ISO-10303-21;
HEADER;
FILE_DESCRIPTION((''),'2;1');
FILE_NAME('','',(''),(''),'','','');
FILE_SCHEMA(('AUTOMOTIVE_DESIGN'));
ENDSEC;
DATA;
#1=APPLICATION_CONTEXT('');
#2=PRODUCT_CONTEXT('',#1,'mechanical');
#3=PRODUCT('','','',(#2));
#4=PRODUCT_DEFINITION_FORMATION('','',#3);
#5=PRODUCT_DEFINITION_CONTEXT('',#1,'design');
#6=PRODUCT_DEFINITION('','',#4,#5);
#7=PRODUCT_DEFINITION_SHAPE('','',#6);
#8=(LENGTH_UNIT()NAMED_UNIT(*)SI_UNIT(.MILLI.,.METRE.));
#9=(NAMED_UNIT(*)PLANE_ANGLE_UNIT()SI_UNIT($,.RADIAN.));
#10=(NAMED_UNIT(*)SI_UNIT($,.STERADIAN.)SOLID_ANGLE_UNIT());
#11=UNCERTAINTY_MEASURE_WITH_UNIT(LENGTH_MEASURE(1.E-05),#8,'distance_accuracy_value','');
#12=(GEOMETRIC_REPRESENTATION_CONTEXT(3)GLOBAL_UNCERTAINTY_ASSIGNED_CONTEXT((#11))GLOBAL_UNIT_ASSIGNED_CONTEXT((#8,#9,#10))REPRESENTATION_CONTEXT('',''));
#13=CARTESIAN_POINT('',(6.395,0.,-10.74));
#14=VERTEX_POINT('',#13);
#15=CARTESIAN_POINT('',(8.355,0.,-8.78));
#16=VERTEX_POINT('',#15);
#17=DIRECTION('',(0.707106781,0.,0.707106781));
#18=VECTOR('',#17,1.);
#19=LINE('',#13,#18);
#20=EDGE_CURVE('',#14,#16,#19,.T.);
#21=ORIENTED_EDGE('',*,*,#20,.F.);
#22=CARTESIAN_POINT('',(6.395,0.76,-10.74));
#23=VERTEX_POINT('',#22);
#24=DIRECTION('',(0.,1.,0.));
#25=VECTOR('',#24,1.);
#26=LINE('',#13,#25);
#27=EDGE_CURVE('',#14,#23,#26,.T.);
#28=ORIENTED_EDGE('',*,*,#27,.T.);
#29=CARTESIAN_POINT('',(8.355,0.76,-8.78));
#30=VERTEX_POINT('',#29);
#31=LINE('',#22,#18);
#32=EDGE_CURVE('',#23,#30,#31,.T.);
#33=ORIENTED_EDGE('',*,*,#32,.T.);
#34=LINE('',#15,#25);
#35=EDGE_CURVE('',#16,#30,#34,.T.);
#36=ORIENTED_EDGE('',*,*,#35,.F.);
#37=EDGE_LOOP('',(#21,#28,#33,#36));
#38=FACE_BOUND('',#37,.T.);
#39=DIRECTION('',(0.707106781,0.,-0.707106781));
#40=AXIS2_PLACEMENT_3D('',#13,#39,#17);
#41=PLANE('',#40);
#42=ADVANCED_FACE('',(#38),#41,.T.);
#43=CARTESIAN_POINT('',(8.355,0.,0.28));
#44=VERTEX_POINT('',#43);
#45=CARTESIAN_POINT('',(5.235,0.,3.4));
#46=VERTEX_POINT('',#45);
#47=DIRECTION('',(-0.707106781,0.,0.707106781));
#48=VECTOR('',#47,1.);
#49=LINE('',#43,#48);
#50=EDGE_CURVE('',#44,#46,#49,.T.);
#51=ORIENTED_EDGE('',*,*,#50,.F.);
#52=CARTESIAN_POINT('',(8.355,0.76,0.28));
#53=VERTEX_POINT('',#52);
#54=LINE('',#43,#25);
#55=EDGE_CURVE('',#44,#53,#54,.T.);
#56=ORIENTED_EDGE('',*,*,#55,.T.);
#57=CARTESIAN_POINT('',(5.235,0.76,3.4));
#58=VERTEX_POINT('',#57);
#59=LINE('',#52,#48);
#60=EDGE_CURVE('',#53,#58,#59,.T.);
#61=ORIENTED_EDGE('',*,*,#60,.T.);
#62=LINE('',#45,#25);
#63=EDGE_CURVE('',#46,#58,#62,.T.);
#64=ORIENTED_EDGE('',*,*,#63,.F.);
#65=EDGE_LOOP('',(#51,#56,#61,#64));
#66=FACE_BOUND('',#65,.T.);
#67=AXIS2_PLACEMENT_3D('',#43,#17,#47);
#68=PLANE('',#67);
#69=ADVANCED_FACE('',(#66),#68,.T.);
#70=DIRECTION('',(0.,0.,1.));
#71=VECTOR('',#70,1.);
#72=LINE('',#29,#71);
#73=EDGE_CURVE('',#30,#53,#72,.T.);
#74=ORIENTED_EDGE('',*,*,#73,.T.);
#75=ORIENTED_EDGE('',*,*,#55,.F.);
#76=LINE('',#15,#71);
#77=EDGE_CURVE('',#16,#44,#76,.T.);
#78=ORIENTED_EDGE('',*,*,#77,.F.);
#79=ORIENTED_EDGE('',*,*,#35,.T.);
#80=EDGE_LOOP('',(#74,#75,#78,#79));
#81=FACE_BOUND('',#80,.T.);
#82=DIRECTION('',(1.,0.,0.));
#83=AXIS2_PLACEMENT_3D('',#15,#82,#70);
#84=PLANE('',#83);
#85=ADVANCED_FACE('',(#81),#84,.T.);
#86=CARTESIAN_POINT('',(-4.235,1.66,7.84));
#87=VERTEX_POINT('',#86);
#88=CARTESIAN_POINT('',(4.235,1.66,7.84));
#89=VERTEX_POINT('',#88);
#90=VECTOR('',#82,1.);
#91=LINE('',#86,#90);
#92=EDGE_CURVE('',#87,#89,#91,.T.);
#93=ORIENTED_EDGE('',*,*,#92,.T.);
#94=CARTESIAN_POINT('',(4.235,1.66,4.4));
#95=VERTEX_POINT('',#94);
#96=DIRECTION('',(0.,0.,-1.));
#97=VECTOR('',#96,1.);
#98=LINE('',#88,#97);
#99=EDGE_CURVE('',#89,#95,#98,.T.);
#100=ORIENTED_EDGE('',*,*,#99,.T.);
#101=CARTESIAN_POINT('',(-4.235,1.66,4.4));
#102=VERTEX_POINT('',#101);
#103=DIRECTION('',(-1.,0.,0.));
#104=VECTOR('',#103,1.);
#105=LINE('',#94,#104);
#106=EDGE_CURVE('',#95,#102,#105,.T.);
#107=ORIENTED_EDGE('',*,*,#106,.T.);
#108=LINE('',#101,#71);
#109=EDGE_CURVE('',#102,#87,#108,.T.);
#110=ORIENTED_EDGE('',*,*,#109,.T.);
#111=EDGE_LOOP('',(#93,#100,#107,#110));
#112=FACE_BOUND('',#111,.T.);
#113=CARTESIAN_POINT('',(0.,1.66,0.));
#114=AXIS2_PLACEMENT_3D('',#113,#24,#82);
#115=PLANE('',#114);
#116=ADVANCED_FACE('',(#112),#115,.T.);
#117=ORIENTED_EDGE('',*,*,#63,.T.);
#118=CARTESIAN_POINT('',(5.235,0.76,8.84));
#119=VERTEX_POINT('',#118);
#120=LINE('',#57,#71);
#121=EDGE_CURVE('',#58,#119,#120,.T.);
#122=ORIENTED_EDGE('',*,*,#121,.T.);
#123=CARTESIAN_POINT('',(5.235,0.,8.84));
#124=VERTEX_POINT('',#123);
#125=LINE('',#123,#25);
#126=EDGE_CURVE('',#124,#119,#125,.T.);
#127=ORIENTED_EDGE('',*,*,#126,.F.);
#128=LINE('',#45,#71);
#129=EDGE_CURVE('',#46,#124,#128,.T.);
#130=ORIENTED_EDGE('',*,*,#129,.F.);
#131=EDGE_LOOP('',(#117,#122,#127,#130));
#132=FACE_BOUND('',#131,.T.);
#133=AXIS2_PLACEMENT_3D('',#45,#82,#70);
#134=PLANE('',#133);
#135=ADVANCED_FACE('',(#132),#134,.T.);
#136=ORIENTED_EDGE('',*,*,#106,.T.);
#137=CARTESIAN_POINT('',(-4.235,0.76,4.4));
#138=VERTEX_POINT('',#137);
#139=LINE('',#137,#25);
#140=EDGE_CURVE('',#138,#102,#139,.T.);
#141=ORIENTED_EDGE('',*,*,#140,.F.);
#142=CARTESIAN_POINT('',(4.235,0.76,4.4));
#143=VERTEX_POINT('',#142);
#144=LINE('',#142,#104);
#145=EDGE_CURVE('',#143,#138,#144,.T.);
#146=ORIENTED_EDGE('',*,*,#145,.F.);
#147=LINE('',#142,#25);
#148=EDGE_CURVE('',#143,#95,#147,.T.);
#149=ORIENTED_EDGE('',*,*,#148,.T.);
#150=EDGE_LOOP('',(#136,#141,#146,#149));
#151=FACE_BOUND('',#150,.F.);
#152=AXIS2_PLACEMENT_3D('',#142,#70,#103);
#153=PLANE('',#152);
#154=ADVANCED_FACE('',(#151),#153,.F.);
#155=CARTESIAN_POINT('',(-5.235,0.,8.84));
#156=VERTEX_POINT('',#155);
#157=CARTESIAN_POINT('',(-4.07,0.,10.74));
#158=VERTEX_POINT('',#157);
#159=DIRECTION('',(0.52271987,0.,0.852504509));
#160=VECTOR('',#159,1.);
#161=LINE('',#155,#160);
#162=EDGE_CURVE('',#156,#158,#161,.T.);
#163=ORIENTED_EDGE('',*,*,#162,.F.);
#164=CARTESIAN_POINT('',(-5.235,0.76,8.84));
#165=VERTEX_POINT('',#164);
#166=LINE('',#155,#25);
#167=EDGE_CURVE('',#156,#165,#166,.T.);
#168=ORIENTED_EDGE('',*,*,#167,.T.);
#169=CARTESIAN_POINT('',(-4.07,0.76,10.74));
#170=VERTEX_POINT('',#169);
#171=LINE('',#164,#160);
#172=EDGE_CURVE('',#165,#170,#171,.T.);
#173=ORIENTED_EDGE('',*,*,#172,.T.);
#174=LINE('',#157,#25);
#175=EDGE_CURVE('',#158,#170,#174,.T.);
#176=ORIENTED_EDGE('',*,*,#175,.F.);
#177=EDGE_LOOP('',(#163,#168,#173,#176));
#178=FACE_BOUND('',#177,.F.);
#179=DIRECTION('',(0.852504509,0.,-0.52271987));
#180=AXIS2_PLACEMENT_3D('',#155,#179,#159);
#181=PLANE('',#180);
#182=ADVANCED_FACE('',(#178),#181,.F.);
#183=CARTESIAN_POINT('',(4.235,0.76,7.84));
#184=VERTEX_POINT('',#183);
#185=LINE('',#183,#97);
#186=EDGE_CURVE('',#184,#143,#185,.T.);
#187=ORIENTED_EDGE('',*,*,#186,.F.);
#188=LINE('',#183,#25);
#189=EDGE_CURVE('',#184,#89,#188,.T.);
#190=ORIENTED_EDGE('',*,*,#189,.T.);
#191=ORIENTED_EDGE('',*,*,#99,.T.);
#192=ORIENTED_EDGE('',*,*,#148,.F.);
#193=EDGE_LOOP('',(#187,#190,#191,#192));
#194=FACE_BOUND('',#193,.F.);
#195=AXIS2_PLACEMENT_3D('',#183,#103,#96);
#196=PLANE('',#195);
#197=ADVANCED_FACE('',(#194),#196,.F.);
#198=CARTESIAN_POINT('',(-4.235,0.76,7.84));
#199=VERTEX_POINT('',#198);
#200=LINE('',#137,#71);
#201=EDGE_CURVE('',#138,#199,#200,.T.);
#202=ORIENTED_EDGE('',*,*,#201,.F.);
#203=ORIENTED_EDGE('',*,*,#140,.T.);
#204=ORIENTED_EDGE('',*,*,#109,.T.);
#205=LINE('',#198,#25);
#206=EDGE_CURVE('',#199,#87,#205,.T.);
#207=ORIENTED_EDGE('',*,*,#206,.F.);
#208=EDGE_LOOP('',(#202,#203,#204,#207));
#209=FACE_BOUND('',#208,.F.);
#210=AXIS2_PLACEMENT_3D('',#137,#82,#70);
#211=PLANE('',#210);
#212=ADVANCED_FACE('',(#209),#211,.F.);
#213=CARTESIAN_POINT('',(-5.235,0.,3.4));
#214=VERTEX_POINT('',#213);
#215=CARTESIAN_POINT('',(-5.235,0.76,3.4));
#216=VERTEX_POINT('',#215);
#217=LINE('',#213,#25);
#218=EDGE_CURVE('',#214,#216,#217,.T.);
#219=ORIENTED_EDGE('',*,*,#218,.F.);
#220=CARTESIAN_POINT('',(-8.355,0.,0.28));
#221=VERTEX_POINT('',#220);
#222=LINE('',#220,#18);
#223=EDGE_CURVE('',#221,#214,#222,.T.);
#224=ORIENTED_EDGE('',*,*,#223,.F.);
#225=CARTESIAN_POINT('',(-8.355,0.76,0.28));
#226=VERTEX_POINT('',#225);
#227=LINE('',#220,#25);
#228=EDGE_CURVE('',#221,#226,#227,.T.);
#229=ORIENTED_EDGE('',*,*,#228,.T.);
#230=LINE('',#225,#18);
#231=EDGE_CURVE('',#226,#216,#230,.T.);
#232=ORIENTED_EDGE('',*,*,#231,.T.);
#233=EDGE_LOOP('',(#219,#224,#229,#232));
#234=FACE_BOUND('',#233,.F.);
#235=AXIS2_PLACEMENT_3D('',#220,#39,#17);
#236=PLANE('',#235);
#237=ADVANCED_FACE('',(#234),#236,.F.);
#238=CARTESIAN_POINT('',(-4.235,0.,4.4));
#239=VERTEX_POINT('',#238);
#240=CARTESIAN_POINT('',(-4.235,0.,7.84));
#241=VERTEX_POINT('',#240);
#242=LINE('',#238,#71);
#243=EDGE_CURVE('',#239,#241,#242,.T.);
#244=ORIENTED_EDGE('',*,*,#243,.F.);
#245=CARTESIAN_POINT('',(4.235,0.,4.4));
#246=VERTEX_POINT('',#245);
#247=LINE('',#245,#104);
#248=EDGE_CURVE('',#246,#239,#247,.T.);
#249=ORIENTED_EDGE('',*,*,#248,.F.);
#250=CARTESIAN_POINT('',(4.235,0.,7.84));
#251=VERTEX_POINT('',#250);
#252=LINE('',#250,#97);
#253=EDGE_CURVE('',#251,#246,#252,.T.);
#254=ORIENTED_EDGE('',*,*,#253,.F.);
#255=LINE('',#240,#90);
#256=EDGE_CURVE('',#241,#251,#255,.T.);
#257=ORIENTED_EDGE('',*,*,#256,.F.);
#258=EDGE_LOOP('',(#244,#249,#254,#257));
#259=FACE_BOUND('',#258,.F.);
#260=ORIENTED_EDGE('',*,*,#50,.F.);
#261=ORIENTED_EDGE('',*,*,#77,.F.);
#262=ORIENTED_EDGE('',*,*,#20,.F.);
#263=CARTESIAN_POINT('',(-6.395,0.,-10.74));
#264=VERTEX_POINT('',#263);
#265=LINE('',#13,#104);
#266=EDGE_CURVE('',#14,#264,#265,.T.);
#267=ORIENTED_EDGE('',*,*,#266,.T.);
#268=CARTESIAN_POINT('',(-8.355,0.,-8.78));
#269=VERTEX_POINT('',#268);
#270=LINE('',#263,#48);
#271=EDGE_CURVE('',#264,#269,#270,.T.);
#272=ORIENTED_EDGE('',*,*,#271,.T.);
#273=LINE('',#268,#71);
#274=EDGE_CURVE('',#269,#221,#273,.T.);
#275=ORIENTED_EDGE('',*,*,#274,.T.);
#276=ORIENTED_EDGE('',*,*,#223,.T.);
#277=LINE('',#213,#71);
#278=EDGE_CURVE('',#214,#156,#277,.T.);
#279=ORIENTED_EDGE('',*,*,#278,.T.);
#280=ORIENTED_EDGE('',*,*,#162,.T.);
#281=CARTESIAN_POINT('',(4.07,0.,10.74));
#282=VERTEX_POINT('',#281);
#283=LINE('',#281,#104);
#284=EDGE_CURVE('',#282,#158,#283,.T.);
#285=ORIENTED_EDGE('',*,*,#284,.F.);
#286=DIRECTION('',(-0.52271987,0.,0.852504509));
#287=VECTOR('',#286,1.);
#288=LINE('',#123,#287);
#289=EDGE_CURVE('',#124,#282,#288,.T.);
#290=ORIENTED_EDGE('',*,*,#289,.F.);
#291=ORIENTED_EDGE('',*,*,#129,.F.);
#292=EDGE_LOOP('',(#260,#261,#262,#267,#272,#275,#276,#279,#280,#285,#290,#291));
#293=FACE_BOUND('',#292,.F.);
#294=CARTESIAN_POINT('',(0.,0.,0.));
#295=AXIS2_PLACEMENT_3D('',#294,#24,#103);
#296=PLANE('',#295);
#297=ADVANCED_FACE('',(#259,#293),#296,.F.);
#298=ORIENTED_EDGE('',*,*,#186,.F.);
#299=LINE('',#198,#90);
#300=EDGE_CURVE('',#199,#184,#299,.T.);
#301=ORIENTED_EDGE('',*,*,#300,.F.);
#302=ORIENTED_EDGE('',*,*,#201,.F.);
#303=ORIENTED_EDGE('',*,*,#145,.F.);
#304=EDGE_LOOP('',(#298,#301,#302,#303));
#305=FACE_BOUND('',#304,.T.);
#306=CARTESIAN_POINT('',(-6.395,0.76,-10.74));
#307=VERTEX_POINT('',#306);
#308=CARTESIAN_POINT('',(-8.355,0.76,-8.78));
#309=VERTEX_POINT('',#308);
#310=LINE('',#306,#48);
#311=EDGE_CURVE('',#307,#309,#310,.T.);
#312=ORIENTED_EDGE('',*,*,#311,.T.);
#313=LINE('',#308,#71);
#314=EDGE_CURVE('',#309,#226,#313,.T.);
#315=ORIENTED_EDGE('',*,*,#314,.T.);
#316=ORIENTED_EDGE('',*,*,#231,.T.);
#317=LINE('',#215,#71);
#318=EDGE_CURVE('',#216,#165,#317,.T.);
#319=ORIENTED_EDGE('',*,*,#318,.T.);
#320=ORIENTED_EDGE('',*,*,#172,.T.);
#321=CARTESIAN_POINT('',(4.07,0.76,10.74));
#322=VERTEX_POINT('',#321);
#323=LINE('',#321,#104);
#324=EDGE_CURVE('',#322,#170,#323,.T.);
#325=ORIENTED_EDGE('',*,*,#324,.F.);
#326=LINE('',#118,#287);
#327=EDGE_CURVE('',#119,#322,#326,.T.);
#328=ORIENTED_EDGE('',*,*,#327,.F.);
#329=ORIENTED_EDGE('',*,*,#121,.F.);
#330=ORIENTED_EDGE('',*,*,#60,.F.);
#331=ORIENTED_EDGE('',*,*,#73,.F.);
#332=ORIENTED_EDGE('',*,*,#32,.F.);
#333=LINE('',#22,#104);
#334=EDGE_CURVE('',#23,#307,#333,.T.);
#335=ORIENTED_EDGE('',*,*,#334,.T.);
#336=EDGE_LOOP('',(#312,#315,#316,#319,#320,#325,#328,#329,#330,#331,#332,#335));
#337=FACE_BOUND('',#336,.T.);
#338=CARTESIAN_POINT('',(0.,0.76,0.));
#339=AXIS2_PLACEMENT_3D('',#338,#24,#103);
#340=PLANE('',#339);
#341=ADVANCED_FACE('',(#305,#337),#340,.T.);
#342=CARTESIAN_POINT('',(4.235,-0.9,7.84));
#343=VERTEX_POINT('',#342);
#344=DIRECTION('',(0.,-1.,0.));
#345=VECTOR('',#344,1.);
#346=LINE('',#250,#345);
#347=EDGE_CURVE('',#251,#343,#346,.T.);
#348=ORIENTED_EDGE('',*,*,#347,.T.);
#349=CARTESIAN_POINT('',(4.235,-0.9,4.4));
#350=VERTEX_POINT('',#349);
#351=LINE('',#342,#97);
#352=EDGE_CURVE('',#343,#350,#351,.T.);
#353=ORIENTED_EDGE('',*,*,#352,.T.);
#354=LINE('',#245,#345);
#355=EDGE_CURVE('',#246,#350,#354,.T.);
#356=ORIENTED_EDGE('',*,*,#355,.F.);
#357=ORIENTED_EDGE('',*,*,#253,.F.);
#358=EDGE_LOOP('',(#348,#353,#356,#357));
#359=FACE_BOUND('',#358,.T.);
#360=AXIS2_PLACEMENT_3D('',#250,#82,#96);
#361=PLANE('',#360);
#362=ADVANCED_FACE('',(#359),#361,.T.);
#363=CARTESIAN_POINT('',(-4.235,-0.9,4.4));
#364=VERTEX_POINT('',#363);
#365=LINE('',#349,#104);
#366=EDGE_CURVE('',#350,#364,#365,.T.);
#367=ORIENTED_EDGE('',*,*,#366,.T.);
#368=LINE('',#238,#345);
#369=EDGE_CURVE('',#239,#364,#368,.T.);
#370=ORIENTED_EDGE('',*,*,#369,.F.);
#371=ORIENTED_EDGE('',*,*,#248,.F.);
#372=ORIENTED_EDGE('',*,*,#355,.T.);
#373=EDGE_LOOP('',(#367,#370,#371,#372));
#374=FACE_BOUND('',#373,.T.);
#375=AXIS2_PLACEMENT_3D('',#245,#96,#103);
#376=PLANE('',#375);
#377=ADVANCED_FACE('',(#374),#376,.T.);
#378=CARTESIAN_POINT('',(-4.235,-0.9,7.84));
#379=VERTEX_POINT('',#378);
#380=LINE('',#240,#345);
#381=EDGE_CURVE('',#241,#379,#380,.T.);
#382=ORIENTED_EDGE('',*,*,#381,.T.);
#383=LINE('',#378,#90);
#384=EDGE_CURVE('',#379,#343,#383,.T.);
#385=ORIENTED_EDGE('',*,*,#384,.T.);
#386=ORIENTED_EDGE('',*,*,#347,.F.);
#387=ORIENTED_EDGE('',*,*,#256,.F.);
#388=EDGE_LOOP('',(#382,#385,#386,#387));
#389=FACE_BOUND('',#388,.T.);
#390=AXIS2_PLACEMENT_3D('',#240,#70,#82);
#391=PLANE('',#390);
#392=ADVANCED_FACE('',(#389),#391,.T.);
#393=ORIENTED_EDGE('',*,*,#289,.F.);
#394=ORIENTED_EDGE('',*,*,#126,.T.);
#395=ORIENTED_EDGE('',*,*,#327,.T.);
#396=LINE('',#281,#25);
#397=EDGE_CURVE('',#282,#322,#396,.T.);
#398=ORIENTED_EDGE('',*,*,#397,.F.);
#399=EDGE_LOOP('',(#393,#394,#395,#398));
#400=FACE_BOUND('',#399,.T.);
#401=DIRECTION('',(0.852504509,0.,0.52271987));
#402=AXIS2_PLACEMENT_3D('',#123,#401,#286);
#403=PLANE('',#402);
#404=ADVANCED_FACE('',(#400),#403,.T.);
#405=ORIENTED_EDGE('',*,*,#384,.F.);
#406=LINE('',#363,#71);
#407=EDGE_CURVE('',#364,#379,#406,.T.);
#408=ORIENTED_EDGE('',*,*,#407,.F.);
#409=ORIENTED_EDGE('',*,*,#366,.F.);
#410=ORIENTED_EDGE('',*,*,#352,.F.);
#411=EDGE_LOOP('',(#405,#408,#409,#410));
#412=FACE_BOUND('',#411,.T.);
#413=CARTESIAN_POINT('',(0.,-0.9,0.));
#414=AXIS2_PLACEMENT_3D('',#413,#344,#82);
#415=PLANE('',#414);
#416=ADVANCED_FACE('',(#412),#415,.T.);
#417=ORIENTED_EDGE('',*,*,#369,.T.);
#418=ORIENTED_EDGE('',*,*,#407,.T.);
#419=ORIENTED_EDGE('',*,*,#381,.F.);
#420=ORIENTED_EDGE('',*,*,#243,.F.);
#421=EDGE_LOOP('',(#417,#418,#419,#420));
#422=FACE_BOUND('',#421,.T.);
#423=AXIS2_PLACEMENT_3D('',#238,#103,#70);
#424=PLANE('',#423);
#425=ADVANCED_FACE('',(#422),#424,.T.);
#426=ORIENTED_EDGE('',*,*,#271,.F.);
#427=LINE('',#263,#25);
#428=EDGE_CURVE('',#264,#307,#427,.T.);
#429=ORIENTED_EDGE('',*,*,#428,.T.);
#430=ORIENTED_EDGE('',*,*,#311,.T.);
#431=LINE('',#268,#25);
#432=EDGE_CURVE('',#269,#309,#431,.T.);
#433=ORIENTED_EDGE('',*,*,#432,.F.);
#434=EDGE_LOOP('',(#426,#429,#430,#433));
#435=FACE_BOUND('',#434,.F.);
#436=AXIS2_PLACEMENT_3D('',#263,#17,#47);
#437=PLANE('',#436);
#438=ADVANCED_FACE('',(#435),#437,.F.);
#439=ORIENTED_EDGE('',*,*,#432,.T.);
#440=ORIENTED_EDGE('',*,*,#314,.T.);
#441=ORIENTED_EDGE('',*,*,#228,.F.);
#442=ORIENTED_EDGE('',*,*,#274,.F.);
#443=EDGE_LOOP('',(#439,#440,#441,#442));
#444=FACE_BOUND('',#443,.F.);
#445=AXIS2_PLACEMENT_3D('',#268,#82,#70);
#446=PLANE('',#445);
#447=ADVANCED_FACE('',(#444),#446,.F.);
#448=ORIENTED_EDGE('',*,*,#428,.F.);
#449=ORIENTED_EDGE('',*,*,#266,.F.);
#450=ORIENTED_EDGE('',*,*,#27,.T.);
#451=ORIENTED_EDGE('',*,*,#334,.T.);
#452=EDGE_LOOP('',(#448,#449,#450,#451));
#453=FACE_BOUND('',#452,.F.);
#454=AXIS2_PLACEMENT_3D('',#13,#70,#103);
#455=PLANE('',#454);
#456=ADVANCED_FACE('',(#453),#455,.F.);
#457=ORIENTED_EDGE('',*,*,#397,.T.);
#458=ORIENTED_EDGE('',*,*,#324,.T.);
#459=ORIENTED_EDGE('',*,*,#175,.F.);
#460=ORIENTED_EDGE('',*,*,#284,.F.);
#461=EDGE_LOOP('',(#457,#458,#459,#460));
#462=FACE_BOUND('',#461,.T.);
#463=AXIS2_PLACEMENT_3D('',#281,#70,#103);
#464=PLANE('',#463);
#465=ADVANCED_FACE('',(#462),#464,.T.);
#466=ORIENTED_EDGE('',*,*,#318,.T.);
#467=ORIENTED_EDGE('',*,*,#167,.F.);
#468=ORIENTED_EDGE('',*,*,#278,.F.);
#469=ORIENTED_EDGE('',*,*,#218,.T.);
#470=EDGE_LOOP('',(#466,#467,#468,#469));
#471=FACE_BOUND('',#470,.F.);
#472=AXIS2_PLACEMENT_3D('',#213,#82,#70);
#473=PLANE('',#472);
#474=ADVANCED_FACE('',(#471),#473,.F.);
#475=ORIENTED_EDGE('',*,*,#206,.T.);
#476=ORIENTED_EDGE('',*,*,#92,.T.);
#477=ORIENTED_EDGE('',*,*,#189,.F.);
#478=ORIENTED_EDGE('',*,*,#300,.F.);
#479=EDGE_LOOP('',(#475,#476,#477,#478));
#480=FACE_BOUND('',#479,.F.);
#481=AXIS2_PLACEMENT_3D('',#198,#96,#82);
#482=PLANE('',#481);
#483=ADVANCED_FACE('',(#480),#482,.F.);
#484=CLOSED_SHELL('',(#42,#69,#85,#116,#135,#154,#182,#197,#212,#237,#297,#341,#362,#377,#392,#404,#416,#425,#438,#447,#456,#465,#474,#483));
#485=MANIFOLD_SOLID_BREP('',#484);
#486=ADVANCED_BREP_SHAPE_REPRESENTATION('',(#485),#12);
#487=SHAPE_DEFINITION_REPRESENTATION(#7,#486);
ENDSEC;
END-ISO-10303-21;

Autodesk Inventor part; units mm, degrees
ref_plane "YZ Plane" through (0, 0, 0) normal (1, 0, 0) x (0, 1, 0)
ref_plane "XZ Plane" through (0, 0, 0) normal (0, 1, 0) x (-1, 0, 0)
ref_plane "XY Plane" through (0, 0, 0) normal (0, 0, 1) x (1, 0, 0)
sketch "Sketch1" plane through (0, 0, 0) normal (0, 1, 0) x (-1, 0, 0)
  line L0 (-6.395, -10.74) -> (6.395, -10.74)
  line L1 (6.395, -10.74) -> (8.355, -8.78)
  line L2 (8.355, -8.78) -> (8.355, 0.28)
  line L3 (8.355, 0.28) -> (5.235, 3.4)
  line L4 (5.235, 3.4) -> (5.235, 8.84)
  line L5 (5.235, 8.84) -> (4.07, 10.74)
  line L6 (-6.395, -10.74) -> (-8.355, -8.78)
  line L7 (-8.355, -8.78) -> (-8.355, 0.28)
  line L8 (-8.355, 0.28) -> (-5.235, 3.4)
  line L9 (-5.235, 3.4) -> (-5.235, 8.84)
  line L10 (-5.235, 8.84) -> (-4.07, 10.74)
  line L11 (-4.07, 10.74) -> (4.07, 10.74)
  dimension "d0" = 12.79
extrude "Extrusion1" add sketch "Sketch1" along normal blind 0.76
sketch "Sketch2" plane through (0, 0.76, 0) normal (0, 1, 0) x (1, 0, 0)
  line L0 (-5.235, -3.4) -> (5.235, -3.4) construction
  line L1 (5.235, -3.4) -> (5.235, -8.84) construction
  line L2 (5.235, -8.84) -> (-5.235, -8.84) construction
  line L3 (-5.235, -8.84) -> (-5.235, -3.4) construction
  line L4 (4.235, -4.4) -> (-4.235, -4.4)
  line L5 (-4.235, -4.4) -> (-4.235, -7.84)
  line L6 (-4.235, -7.84) -> (4.235, -7.84)
  line L7 (4.235, -7.84) -> (4.235, -4.4)
  point P0 (0, 0)
  dimension "d4" = 1
extrude "Extrusion2" add sketch "Sketch2" along normal blind 0.9
sketch "Sketch3" plane through (0, 0, 0) normal (0, -1, 0) x (1, 0, 0)
  line L0 (4.235, 4.4) -> (-4.235, 4.4) projected
  line L1 (-4.235, 4.4) -> (-4.235, 7.84) projected
  line L2 (-4.235, 7.84) -> (4.235, 7.84) projected
  line L3 (4.235, 7.84) -> (4.235, 4.4) projected
  point P0 (0, 0)
extrude "Extrusion3" add sketch "Sketch3" along normal blind 0.9
properties part number "WirebondAdapter"
